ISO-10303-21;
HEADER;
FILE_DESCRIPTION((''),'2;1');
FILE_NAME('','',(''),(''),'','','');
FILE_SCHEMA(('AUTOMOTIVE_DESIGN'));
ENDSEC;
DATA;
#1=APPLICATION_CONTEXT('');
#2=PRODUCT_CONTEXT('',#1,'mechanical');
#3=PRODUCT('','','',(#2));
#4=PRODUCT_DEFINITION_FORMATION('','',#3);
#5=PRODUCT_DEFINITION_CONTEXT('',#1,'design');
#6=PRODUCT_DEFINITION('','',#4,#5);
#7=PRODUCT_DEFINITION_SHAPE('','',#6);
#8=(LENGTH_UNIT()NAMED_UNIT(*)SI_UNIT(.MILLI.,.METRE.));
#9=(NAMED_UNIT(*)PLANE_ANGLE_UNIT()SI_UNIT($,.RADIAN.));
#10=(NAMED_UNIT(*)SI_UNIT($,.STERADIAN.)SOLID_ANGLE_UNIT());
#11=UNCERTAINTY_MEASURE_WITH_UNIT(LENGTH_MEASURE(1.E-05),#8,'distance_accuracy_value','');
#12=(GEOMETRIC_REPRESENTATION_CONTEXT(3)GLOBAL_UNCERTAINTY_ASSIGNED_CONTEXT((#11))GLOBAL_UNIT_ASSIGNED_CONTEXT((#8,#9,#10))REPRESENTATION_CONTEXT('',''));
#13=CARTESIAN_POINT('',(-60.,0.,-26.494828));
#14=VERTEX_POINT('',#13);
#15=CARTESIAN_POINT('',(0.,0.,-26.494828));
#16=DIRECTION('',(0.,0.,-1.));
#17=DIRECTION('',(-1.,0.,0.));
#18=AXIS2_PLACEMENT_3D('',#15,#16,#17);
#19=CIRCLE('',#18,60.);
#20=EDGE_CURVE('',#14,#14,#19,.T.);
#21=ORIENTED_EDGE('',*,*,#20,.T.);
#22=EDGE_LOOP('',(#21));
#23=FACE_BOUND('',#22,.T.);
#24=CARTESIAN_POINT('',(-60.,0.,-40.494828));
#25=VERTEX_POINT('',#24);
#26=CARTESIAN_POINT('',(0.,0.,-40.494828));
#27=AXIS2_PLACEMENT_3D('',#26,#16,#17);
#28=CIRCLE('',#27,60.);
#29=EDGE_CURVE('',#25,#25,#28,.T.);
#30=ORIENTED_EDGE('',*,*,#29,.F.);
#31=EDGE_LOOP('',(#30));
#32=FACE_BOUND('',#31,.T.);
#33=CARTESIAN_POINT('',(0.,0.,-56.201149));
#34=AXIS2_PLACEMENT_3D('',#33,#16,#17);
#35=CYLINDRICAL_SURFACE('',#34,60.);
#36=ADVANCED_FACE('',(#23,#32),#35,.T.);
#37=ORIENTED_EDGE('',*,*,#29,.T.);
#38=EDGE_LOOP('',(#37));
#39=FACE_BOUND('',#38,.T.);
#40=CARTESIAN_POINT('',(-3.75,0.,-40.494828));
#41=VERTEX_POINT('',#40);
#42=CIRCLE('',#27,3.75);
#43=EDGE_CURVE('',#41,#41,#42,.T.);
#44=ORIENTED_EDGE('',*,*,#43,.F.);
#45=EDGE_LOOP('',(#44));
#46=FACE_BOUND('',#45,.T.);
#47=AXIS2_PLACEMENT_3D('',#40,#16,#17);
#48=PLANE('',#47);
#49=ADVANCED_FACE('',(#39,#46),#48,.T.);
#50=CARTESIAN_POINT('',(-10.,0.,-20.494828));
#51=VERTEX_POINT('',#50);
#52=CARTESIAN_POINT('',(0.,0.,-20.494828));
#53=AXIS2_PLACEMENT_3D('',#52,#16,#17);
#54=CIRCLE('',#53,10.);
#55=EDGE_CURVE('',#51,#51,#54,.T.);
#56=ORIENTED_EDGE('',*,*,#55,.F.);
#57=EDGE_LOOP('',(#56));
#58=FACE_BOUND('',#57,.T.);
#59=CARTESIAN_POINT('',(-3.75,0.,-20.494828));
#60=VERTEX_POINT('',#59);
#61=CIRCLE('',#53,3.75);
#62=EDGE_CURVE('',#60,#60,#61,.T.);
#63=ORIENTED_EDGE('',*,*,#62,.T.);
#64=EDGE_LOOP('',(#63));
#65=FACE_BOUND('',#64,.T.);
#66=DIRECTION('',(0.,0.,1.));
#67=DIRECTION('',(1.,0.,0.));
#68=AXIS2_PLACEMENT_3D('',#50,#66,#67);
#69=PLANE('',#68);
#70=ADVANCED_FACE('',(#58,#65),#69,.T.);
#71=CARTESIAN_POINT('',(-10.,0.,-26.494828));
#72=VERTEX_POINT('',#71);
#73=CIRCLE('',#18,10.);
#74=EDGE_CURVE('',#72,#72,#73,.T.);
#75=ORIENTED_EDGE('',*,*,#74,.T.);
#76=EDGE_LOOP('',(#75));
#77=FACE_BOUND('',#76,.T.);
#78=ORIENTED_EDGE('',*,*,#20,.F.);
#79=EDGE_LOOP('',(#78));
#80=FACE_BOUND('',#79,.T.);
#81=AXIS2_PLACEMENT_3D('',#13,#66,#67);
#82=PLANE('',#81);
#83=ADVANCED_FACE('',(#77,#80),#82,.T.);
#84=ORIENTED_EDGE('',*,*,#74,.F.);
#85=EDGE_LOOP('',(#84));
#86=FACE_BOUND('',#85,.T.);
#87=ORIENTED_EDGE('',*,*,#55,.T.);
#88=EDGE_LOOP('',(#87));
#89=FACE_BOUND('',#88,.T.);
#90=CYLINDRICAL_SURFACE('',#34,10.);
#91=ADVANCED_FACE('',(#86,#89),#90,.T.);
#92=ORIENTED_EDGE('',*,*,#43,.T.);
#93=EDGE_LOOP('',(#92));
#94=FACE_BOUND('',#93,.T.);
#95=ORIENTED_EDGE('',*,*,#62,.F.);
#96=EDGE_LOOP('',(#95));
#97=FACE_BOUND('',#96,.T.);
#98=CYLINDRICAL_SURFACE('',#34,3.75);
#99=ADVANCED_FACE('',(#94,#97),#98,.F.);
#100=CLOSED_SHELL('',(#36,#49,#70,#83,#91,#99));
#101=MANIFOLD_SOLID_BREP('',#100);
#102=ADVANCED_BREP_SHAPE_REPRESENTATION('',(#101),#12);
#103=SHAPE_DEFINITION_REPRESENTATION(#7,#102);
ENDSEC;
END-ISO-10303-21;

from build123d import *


with BuildPart() as part:
    # Sketch1 → Revolve1 (revolve)
    with BuildSketch(Plane(origin=(0, 0, 0), x_dir=(1, 0, 0), z_dir=(0, 1, 0))):
        Polygon((-3.75, 40.494827586), (-10, 40.494827586), (-60, 40.494827586), (-60, 26.494827586), (-10, 26.494827586), (-10, 20.494827586), (-3.75, 20.494827586), align=None)
    revolve(axis=Axis((0, 0, -56.201149425), (0, 0, 1)))


solid = part.part
